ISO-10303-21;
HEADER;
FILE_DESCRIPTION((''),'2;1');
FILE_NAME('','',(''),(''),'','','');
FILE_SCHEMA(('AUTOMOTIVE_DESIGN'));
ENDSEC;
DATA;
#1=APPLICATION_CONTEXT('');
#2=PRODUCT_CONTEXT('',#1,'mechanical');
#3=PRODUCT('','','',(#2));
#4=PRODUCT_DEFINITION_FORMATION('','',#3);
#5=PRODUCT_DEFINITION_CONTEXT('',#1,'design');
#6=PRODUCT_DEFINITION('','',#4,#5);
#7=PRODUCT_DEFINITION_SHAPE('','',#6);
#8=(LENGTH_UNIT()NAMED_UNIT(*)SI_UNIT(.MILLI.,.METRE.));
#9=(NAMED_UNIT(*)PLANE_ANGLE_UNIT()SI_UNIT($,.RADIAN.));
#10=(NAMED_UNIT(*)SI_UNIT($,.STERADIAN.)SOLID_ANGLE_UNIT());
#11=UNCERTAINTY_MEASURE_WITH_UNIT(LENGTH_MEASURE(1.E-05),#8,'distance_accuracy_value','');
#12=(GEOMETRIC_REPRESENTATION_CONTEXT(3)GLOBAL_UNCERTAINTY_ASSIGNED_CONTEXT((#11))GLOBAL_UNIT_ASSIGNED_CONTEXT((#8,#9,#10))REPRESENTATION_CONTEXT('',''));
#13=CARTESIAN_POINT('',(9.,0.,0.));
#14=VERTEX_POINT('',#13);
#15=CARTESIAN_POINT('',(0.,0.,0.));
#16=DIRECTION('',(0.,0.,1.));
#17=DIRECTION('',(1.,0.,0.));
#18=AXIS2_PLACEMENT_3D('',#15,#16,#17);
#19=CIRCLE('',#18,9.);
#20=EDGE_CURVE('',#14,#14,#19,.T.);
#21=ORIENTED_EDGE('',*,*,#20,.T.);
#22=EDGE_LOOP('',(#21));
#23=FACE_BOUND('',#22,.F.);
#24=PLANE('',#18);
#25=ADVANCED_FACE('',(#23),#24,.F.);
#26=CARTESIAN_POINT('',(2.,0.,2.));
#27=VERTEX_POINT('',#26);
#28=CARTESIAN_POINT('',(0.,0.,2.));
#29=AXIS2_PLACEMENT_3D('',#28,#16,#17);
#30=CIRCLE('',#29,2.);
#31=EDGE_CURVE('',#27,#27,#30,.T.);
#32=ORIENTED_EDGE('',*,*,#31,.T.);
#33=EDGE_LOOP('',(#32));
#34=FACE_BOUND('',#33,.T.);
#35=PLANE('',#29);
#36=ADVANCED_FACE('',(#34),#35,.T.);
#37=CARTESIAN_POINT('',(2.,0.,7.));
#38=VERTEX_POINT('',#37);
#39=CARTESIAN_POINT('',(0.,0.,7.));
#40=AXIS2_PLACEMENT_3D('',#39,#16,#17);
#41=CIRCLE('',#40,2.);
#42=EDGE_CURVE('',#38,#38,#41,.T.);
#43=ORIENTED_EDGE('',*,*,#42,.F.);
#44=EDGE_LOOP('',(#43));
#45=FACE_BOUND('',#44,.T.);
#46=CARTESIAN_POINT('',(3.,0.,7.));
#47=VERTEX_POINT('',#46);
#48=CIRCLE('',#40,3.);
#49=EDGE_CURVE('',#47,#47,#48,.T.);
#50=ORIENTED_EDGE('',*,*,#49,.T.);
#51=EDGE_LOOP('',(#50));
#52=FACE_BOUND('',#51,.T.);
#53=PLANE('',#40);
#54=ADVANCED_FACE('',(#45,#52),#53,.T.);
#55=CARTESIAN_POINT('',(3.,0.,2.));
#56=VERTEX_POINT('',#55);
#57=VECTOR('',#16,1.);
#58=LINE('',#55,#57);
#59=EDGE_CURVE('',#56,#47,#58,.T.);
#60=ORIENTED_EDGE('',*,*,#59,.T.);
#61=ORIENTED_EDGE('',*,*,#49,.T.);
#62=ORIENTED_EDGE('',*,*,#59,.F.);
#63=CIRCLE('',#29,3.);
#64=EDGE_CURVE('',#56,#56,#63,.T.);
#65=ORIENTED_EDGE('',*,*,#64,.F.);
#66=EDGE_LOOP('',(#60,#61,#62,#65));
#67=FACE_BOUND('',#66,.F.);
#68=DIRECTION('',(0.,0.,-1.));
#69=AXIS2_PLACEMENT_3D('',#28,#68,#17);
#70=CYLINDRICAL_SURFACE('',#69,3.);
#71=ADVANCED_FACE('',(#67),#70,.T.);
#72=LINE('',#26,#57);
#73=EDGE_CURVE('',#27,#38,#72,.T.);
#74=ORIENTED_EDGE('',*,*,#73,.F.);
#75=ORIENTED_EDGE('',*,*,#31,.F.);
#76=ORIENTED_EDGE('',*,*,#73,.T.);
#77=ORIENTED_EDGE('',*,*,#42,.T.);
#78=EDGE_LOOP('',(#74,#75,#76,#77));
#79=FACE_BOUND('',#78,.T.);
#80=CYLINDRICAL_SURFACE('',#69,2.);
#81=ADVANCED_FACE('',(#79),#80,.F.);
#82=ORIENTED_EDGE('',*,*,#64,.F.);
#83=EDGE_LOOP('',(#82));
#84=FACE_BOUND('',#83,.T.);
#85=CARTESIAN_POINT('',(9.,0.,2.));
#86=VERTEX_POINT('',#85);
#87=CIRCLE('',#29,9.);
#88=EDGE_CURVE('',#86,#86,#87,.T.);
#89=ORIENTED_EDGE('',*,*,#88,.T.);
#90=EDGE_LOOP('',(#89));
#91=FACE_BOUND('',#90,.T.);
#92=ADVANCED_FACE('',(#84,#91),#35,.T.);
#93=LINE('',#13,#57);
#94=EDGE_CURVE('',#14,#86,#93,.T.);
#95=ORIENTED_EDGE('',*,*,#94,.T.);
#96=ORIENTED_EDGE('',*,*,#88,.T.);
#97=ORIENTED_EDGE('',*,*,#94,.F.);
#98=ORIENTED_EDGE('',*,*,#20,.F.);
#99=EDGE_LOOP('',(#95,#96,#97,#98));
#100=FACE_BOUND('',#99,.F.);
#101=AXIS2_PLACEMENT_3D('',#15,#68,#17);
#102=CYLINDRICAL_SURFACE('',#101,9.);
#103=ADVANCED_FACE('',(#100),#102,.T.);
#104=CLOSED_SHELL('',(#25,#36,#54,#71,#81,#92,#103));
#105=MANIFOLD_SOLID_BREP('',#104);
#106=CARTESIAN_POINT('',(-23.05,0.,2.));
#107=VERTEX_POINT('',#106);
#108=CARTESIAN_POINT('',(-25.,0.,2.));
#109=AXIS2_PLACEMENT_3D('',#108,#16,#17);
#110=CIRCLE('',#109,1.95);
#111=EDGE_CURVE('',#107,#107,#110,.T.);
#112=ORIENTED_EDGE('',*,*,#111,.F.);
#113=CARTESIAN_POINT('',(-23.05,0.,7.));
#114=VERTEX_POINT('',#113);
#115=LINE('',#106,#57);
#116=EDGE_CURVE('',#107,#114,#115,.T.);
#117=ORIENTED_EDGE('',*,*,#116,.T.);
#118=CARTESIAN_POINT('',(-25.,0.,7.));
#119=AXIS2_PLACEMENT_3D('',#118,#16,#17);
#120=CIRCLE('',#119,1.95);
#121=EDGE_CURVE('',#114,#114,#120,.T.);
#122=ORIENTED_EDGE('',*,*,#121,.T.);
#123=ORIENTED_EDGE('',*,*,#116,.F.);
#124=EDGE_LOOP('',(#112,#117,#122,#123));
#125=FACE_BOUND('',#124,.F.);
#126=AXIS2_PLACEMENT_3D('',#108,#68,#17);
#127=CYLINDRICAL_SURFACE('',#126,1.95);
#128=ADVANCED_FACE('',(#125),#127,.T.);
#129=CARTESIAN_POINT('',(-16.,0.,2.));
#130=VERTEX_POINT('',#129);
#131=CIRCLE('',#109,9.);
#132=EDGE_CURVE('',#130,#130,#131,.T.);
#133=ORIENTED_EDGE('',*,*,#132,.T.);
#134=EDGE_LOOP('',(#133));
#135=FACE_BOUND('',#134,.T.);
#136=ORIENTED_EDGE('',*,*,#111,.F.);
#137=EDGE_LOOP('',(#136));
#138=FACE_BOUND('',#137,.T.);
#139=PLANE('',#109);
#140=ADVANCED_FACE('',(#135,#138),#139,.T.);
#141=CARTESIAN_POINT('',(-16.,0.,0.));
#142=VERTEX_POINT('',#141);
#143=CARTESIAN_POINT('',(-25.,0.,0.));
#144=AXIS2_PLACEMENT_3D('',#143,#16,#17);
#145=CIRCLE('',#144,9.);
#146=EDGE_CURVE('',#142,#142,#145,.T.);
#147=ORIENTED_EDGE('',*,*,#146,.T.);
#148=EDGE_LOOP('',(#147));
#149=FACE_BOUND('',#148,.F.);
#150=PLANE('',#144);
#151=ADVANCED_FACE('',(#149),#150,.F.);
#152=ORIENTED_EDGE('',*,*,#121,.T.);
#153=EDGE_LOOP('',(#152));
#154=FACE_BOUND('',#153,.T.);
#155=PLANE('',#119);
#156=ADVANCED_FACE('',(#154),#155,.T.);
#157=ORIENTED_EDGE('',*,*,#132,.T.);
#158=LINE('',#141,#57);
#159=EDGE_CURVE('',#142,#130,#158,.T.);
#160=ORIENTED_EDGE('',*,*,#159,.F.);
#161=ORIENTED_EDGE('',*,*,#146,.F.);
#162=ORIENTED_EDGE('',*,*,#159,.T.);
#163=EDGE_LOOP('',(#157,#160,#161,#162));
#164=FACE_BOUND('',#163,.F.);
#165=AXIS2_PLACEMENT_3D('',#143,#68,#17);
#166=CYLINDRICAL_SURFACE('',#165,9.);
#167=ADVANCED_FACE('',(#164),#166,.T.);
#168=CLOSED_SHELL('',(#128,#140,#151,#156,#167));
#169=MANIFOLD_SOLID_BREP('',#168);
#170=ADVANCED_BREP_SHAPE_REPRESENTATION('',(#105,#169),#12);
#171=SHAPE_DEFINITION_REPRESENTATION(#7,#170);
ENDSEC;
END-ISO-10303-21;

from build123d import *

# Parameters (mm, degrees)
F0_R     = 9
F1_DEPTH = 2
F2_R     = 3
F2_R_2   = 2
F3_DEPTH = 5
F4_R     = 1.95
F5_DEPTH = 5


with BuildPart() as f1:
    # F0 (on Top) → F1 (new body)
    with BuildSketch(Plane.XY):
        Circle(F0_R)
        with Locations((-25, 0)):
            Circle(F0_R)
    extrude(amount=F1_DEPTH)

    # F2 (on face) → F3 (join)
    with BuildSketch(Plane.XY.offset(2)):
        Circle(F2_R)
        Circle(F2_R_2, mode=Mode.SUBTRACT)
    extrude(amount=F3_DEPTH)

    # F4 (on face) → F5 (join)
    with BuildSketch(Plane.XY.offset(2)):
        with Locations((-25, 0)):
            Circle(F4_R)
    extrude(amount=F5_DEPTH)


solid = f1.part
